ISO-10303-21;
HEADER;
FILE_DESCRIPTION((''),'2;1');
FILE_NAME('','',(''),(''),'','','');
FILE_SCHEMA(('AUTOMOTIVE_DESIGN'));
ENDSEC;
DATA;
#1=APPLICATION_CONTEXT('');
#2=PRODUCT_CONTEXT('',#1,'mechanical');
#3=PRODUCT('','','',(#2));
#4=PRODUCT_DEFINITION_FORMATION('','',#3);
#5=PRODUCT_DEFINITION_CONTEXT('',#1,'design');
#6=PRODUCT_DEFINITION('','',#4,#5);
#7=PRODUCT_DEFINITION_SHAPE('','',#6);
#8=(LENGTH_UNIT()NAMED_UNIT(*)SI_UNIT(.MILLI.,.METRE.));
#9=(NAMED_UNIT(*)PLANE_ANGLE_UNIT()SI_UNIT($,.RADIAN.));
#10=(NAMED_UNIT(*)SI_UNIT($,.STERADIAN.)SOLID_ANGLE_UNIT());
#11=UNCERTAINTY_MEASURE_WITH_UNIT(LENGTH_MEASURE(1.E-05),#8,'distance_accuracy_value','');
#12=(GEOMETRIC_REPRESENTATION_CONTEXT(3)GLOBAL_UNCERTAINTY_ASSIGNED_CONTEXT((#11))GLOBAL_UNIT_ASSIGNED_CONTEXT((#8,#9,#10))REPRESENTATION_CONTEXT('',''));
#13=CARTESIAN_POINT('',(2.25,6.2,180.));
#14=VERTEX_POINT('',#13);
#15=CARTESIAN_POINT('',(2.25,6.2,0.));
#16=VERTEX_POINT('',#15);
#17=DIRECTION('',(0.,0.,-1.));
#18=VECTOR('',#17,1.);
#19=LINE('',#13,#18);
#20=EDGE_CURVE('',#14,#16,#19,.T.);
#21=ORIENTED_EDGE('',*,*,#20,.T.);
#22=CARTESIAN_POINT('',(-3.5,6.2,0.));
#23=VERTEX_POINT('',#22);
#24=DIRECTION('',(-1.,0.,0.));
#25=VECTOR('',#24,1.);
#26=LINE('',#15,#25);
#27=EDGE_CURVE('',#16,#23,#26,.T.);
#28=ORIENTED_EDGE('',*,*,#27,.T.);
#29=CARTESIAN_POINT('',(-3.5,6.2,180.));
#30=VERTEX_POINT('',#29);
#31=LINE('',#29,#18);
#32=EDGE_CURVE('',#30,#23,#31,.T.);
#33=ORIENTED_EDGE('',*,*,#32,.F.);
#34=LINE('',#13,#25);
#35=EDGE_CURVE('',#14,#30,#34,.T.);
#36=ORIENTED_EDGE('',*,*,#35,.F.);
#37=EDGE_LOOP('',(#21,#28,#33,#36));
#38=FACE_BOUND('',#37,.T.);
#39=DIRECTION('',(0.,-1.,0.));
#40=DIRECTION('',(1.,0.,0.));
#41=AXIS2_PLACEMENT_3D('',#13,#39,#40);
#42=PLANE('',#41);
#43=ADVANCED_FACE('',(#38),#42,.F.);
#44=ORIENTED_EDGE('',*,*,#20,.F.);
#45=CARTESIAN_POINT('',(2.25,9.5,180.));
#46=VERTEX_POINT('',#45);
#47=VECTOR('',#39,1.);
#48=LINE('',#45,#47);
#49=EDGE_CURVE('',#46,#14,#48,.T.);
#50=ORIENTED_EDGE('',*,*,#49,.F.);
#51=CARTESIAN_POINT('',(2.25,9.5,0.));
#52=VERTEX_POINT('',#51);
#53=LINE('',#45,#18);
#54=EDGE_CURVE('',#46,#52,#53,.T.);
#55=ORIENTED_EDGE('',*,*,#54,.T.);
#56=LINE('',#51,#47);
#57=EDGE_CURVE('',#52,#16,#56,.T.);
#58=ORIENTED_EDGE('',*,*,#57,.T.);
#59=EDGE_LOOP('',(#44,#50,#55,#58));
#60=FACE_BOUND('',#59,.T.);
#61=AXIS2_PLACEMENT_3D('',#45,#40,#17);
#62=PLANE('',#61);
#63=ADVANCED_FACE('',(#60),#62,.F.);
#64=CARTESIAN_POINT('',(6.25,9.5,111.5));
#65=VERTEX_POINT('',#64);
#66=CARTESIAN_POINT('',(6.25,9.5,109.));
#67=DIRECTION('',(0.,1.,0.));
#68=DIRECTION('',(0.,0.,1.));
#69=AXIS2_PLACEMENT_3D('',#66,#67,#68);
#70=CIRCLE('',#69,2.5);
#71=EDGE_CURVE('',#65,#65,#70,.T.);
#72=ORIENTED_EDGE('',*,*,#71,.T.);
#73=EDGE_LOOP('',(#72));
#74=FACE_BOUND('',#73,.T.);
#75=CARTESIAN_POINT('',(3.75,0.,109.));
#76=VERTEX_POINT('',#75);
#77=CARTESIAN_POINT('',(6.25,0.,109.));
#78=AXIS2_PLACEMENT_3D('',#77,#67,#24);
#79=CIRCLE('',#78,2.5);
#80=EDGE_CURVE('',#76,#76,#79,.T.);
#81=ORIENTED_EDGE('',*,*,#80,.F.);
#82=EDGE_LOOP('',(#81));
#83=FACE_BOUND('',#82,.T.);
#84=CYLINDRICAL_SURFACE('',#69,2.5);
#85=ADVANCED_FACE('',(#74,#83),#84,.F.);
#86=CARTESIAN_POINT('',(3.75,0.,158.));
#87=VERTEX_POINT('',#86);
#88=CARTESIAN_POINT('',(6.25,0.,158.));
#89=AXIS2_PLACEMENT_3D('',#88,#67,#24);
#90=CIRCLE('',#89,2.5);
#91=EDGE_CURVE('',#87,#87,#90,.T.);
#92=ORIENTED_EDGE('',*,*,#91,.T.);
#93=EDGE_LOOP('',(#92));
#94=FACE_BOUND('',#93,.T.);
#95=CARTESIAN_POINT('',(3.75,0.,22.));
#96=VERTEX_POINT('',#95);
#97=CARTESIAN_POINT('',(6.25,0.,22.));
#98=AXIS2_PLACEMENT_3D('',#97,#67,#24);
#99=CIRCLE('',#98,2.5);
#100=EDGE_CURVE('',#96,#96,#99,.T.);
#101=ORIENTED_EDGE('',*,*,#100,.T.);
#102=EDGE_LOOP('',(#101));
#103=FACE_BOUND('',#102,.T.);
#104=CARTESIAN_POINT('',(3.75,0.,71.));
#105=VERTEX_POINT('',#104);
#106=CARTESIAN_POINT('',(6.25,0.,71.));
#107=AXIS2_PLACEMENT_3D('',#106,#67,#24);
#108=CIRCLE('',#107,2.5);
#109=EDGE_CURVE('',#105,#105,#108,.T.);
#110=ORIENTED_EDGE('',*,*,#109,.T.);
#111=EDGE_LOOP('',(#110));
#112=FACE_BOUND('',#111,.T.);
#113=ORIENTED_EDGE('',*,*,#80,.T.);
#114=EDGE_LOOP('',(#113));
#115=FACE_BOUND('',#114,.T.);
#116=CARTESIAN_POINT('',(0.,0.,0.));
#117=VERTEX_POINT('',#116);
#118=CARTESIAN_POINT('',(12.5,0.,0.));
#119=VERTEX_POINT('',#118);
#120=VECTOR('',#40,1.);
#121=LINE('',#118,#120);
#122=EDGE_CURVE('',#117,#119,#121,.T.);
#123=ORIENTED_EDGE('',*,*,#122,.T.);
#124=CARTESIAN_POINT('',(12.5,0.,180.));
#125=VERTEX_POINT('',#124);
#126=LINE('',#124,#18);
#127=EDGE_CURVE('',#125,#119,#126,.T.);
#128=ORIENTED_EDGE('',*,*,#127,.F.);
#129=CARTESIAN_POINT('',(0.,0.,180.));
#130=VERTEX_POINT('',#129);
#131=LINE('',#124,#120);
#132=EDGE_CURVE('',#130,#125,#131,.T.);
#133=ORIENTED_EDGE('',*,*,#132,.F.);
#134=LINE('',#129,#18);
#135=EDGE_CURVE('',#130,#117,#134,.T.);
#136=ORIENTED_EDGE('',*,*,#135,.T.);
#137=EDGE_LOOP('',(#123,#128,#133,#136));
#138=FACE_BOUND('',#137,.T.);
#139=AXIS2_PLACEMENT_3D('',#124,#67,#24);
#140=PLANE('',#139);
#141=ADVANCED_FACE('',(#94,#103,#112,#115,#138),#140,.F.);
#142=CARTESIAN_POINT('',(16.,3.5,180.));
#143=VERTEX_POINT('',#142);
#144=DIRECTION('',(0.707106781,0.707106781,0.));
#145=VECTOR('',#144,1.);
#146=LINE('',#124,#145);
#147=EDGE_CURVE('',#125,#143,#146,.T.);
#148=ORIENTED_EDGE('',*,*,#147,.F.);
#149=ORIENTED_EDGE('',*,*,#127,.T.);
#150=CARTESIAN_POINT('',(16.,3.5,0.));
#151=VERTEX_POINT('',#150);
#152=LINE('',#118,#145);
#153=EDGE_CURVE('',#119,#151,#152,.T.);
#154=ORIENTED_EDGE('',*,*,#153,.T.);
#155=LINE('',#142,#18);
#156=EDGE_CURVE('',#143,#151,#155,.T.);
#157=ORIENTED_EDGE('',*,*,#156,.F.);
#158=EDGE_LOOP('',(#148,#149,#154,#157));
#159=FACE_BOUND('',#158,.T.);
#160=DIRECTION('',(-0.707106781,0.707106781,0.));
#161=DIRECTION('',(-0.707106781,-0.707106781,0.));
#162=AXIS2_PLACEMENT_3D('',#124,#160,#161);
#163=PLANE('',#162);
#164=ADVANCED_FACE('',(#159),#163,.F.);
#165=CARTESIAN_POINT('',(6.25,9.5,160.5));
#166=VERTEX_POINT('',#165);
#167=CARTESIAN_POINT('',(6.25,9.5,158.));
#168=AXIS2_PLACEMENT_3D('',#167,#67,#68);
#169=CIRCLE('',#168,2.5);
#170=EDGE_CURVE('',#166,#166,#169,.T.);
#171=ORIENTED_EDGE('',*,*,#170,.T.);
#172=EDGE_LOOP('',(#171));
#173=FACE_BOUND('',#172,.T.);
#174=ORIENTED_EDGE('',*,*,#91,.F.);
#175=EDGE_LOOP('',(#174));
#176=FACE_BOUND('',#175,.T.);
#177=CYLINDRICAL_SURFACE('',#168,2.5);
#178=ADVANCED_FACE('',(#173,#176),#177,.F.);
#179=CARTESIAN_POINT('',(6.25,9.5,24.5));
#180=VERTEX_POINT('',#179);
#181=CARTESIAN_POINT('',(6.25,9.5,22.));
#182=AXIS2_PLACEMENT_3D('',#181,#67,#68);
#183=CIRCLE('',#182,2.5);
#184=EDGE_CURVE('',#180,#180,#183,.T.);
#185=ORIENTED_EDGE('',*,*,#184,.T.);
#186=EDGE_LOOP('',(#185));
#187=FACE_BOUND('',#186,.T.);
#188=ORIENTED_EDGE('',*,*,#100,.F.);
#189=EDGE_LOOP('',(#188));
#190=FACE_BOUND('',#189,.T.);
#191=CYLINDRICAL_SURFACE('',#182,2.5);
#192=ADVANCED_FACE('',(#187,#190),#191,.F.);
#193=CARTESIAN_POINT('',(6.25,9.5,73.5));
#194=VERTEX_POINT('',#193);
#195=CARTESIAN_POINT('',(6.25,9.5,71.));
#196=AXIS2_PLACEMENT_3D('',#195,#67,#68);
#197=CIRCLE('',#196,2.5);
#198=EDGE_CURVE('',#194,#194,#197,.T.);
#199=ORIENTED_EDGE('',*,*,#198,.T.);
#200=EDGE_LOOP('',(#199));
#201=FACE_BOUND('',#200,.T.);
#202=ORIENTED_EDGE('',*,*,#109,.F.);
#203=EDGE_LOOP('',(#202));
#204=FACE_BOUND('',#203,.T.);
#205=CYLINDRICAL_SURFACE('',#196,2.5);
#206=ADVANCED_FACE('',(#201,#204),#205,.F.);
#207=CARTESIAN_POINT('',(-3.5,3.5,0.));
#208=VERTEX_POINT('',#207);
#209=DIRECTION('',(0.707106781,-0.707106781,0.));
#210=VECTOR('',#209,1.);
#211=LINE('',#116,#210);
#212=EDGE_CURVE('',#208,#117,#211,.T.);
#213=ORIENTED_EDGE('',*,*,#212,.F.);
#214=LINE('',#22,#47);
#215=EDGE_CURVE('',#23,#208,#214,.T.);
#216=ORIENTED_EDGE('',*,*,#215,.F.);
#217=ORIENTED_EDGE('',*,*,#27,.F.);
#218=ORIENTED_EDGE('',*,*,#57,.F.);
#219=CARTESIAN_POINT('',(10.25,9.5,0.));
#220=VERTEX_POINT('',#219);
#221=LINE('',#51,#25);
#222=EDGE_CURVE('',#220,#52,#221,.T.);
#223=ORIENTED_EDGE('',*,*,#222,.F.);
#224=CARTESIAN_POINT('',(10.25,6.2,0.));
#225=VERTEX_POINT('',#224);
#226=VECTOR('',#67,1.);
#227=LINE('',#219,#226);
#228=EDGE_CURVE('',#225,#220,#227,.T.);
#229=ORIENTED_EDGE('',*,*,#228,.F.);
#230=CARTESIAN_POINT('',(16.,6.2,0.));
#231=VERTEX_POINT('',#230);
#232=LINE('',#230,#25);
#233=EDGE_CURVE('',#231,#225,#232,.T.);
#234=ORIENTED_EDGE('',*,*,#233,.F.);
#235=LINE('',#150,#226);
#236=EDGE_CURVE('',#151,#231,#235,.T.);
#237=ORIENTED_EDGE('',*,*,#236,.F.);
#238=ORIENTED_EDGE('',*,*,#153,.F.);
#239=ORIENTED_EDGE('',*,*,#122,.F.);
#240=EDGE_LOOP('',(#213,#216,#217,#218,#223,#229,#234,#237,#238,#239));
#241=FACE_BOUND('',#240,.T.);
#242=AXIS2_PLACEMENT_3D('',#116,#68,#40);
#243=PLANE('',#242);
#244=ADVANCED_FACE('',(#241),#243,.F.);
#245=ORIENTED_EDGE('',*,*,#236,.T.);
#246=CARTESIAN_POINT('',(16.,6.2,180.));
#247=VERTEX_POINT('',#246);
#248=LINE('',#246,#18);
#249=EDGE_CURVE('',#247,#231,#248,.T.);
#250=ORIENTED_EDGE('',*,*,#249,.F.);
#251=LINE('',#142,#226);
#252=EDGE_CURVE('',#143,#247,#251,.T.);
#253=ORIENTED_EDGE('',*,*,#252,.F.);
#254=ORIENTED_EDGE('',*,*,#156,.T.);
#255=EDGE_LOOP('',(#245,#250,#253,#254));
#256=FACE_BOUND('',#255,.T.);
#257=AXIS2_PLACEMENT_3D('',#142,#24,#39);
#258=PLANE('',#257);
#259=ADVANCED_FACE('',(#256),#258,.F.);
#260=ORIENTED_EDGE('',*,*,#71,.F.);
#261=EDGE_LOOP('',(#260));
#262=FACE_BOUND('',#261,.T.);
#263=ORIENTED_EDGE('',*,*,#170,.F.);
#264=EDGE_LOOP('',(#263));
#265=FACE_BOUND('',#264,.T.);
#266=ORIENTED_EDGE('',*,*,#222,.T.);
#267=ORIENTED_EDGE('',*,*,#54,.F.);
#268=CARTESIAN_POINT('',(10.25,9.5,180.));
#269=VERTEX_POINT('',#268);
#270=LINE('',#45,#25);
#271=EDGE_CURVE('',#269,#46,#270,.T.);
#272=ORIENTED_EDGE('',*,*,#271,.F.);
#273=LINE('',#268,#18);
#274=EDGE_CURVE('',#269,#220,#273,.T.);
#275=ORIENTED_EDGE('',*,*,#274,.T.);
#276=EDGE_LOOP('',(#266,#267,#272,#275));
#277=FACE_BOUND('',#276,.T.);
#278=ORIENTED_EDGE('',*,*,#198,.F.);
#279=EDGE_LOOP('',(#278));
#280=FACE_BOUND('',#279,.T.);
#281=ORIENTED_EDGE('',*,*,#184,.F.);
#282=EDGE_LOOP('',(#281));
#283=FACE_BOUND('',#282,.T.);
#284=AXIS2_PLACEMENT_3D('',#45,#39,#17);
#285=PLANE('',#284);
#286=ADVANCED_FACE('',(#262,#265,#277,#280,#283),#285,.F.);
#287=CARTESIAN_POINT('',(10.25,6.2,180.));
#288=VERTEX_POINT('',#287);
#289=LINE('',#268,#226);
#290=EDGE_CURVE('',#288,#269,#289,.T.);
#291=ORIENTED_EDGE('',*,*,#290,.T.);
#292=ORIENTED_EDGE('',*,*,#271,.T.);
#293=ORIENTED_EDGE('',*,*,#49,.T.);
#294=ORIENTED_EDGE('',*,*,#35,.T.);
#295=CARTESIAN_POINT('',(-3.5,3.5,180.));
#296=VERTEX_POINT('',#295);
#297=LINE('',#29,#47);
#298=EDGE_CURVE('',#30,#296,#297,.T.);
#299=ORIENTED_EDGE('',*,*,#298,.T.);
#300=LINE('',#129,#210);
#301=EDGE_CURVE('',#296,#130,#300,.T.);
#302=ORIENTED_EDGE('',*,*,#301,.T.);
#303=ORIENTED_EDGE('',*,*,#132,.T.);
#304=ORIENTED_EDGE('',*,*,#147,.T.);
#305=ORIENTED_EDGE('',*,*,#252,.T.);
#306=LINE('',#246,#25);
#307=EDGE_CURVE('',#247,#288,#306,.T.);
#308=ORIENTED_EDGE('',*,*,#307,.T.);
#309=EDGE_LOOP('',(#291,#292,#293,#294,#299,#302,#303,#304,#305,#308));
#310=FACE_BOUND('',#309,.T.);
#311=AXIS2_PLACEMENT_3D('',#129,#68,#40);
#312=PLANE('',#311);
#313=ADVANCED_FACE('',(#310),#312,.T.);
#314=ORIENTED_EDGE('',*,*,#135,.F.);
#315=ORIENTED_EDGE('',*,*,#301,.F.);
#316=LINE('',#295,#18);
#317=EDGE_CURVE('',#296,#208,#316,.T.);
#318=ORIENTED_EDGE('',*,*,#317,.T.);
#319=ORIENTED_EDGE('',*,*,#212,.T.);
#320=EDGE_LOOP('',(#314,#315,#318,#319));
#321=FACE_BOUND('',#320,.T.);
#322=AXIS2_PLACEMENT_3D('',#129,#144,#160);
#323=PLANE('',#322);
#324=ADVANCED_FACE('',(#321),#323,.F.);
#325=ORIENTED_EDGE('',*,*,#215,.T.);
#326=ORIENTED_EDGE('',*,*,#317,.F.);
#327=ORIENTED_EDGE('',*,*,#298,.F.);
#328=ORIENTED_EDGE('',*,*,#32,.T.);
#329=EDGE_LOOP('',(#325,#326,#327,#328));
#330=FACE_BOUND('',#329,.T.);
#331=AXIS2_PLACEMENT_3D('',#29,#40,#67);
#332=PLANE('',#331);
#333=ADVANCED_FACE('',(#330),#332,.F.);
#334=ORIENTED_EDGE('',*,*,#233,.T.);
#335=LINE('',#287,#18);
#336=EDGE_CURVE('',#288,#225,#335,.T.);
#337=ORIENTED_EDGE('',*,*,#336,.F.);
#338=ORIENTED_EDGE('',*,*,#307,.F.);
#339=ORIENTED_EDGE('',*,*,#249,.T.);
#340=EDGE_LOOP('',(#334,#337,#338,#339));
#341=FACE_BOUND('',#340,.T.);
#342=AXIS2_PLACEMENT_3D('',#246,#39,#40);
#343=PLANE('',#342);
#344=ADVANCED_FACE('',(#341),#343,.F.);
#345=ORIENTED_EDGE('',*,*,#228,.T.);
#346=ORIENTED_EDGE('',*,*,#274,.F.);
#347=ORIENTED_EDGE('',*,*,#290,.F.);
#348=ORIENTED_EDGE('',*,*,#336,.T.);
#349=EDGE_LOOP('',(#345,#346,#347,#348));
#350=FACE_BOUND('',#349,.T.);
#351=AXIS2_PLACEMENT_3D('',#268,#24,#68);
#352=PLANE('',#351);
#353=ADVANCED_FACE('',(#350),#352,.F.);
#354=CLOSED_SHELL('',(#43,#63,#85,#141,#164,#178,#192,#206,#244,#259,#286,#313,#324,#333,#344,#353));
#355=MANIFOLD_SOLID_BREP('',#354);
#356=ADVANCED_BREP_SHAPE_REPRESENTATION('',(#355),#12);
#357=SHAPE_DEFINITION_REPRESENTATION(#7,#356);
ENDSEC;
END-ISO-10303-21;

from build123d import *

# Parameters (mm, degrees)
EXTRUDE_1_DEPTH        = 180
HOLE_WIZARD_M6_1_D     = 5
HOLE_WIZARD_M6_1_DEPTH = 28
HOLE_WIZARD_M6_1_TIP   = 1.502151548


with BuildPart() as part:
    # 草图1 → 凸台-拉伸1 (new body)
    with BuildSketch(Plane.XY):
        Polygon((12.5, 0), (0, 0), (-3.5, 3.5), (-3.5, 6.2), (2.25, 6.2), (2.25, 9.5), (10.25, 9.5), (10.25, 6.2), (16, 6.2), (16, 3.5), align=None)
    extrude(amount=EXTRUDE_1_DEPTH)

    # M6 螺纹孔1
    with Locations(Plane(origin=(6.25, 9.5, 158), x_dir=(0, 0, 1), z_dir=(0, 1, 0))):
        with Locations((0, 0), (-49, 0), (-136, 0), (-87, 0)):
            Hole(HOLE_WIZARD_M6_1_D / 2, depth=HOLE_WIZARD_M6_1_DEPTH)
            with Locations((0, 0, -(HOLE_WIZARD_M6_1_DEPTH + HOLE_WIZARD_M6_1_TIP / 2))):  # 118° drill point
                Cone(0, HOLE_WIZARD_M6_1_D / 2, HOLE_WIZARD_M6_1_TIP, mode=Mode.SUBTRACT)


solid = part.part
